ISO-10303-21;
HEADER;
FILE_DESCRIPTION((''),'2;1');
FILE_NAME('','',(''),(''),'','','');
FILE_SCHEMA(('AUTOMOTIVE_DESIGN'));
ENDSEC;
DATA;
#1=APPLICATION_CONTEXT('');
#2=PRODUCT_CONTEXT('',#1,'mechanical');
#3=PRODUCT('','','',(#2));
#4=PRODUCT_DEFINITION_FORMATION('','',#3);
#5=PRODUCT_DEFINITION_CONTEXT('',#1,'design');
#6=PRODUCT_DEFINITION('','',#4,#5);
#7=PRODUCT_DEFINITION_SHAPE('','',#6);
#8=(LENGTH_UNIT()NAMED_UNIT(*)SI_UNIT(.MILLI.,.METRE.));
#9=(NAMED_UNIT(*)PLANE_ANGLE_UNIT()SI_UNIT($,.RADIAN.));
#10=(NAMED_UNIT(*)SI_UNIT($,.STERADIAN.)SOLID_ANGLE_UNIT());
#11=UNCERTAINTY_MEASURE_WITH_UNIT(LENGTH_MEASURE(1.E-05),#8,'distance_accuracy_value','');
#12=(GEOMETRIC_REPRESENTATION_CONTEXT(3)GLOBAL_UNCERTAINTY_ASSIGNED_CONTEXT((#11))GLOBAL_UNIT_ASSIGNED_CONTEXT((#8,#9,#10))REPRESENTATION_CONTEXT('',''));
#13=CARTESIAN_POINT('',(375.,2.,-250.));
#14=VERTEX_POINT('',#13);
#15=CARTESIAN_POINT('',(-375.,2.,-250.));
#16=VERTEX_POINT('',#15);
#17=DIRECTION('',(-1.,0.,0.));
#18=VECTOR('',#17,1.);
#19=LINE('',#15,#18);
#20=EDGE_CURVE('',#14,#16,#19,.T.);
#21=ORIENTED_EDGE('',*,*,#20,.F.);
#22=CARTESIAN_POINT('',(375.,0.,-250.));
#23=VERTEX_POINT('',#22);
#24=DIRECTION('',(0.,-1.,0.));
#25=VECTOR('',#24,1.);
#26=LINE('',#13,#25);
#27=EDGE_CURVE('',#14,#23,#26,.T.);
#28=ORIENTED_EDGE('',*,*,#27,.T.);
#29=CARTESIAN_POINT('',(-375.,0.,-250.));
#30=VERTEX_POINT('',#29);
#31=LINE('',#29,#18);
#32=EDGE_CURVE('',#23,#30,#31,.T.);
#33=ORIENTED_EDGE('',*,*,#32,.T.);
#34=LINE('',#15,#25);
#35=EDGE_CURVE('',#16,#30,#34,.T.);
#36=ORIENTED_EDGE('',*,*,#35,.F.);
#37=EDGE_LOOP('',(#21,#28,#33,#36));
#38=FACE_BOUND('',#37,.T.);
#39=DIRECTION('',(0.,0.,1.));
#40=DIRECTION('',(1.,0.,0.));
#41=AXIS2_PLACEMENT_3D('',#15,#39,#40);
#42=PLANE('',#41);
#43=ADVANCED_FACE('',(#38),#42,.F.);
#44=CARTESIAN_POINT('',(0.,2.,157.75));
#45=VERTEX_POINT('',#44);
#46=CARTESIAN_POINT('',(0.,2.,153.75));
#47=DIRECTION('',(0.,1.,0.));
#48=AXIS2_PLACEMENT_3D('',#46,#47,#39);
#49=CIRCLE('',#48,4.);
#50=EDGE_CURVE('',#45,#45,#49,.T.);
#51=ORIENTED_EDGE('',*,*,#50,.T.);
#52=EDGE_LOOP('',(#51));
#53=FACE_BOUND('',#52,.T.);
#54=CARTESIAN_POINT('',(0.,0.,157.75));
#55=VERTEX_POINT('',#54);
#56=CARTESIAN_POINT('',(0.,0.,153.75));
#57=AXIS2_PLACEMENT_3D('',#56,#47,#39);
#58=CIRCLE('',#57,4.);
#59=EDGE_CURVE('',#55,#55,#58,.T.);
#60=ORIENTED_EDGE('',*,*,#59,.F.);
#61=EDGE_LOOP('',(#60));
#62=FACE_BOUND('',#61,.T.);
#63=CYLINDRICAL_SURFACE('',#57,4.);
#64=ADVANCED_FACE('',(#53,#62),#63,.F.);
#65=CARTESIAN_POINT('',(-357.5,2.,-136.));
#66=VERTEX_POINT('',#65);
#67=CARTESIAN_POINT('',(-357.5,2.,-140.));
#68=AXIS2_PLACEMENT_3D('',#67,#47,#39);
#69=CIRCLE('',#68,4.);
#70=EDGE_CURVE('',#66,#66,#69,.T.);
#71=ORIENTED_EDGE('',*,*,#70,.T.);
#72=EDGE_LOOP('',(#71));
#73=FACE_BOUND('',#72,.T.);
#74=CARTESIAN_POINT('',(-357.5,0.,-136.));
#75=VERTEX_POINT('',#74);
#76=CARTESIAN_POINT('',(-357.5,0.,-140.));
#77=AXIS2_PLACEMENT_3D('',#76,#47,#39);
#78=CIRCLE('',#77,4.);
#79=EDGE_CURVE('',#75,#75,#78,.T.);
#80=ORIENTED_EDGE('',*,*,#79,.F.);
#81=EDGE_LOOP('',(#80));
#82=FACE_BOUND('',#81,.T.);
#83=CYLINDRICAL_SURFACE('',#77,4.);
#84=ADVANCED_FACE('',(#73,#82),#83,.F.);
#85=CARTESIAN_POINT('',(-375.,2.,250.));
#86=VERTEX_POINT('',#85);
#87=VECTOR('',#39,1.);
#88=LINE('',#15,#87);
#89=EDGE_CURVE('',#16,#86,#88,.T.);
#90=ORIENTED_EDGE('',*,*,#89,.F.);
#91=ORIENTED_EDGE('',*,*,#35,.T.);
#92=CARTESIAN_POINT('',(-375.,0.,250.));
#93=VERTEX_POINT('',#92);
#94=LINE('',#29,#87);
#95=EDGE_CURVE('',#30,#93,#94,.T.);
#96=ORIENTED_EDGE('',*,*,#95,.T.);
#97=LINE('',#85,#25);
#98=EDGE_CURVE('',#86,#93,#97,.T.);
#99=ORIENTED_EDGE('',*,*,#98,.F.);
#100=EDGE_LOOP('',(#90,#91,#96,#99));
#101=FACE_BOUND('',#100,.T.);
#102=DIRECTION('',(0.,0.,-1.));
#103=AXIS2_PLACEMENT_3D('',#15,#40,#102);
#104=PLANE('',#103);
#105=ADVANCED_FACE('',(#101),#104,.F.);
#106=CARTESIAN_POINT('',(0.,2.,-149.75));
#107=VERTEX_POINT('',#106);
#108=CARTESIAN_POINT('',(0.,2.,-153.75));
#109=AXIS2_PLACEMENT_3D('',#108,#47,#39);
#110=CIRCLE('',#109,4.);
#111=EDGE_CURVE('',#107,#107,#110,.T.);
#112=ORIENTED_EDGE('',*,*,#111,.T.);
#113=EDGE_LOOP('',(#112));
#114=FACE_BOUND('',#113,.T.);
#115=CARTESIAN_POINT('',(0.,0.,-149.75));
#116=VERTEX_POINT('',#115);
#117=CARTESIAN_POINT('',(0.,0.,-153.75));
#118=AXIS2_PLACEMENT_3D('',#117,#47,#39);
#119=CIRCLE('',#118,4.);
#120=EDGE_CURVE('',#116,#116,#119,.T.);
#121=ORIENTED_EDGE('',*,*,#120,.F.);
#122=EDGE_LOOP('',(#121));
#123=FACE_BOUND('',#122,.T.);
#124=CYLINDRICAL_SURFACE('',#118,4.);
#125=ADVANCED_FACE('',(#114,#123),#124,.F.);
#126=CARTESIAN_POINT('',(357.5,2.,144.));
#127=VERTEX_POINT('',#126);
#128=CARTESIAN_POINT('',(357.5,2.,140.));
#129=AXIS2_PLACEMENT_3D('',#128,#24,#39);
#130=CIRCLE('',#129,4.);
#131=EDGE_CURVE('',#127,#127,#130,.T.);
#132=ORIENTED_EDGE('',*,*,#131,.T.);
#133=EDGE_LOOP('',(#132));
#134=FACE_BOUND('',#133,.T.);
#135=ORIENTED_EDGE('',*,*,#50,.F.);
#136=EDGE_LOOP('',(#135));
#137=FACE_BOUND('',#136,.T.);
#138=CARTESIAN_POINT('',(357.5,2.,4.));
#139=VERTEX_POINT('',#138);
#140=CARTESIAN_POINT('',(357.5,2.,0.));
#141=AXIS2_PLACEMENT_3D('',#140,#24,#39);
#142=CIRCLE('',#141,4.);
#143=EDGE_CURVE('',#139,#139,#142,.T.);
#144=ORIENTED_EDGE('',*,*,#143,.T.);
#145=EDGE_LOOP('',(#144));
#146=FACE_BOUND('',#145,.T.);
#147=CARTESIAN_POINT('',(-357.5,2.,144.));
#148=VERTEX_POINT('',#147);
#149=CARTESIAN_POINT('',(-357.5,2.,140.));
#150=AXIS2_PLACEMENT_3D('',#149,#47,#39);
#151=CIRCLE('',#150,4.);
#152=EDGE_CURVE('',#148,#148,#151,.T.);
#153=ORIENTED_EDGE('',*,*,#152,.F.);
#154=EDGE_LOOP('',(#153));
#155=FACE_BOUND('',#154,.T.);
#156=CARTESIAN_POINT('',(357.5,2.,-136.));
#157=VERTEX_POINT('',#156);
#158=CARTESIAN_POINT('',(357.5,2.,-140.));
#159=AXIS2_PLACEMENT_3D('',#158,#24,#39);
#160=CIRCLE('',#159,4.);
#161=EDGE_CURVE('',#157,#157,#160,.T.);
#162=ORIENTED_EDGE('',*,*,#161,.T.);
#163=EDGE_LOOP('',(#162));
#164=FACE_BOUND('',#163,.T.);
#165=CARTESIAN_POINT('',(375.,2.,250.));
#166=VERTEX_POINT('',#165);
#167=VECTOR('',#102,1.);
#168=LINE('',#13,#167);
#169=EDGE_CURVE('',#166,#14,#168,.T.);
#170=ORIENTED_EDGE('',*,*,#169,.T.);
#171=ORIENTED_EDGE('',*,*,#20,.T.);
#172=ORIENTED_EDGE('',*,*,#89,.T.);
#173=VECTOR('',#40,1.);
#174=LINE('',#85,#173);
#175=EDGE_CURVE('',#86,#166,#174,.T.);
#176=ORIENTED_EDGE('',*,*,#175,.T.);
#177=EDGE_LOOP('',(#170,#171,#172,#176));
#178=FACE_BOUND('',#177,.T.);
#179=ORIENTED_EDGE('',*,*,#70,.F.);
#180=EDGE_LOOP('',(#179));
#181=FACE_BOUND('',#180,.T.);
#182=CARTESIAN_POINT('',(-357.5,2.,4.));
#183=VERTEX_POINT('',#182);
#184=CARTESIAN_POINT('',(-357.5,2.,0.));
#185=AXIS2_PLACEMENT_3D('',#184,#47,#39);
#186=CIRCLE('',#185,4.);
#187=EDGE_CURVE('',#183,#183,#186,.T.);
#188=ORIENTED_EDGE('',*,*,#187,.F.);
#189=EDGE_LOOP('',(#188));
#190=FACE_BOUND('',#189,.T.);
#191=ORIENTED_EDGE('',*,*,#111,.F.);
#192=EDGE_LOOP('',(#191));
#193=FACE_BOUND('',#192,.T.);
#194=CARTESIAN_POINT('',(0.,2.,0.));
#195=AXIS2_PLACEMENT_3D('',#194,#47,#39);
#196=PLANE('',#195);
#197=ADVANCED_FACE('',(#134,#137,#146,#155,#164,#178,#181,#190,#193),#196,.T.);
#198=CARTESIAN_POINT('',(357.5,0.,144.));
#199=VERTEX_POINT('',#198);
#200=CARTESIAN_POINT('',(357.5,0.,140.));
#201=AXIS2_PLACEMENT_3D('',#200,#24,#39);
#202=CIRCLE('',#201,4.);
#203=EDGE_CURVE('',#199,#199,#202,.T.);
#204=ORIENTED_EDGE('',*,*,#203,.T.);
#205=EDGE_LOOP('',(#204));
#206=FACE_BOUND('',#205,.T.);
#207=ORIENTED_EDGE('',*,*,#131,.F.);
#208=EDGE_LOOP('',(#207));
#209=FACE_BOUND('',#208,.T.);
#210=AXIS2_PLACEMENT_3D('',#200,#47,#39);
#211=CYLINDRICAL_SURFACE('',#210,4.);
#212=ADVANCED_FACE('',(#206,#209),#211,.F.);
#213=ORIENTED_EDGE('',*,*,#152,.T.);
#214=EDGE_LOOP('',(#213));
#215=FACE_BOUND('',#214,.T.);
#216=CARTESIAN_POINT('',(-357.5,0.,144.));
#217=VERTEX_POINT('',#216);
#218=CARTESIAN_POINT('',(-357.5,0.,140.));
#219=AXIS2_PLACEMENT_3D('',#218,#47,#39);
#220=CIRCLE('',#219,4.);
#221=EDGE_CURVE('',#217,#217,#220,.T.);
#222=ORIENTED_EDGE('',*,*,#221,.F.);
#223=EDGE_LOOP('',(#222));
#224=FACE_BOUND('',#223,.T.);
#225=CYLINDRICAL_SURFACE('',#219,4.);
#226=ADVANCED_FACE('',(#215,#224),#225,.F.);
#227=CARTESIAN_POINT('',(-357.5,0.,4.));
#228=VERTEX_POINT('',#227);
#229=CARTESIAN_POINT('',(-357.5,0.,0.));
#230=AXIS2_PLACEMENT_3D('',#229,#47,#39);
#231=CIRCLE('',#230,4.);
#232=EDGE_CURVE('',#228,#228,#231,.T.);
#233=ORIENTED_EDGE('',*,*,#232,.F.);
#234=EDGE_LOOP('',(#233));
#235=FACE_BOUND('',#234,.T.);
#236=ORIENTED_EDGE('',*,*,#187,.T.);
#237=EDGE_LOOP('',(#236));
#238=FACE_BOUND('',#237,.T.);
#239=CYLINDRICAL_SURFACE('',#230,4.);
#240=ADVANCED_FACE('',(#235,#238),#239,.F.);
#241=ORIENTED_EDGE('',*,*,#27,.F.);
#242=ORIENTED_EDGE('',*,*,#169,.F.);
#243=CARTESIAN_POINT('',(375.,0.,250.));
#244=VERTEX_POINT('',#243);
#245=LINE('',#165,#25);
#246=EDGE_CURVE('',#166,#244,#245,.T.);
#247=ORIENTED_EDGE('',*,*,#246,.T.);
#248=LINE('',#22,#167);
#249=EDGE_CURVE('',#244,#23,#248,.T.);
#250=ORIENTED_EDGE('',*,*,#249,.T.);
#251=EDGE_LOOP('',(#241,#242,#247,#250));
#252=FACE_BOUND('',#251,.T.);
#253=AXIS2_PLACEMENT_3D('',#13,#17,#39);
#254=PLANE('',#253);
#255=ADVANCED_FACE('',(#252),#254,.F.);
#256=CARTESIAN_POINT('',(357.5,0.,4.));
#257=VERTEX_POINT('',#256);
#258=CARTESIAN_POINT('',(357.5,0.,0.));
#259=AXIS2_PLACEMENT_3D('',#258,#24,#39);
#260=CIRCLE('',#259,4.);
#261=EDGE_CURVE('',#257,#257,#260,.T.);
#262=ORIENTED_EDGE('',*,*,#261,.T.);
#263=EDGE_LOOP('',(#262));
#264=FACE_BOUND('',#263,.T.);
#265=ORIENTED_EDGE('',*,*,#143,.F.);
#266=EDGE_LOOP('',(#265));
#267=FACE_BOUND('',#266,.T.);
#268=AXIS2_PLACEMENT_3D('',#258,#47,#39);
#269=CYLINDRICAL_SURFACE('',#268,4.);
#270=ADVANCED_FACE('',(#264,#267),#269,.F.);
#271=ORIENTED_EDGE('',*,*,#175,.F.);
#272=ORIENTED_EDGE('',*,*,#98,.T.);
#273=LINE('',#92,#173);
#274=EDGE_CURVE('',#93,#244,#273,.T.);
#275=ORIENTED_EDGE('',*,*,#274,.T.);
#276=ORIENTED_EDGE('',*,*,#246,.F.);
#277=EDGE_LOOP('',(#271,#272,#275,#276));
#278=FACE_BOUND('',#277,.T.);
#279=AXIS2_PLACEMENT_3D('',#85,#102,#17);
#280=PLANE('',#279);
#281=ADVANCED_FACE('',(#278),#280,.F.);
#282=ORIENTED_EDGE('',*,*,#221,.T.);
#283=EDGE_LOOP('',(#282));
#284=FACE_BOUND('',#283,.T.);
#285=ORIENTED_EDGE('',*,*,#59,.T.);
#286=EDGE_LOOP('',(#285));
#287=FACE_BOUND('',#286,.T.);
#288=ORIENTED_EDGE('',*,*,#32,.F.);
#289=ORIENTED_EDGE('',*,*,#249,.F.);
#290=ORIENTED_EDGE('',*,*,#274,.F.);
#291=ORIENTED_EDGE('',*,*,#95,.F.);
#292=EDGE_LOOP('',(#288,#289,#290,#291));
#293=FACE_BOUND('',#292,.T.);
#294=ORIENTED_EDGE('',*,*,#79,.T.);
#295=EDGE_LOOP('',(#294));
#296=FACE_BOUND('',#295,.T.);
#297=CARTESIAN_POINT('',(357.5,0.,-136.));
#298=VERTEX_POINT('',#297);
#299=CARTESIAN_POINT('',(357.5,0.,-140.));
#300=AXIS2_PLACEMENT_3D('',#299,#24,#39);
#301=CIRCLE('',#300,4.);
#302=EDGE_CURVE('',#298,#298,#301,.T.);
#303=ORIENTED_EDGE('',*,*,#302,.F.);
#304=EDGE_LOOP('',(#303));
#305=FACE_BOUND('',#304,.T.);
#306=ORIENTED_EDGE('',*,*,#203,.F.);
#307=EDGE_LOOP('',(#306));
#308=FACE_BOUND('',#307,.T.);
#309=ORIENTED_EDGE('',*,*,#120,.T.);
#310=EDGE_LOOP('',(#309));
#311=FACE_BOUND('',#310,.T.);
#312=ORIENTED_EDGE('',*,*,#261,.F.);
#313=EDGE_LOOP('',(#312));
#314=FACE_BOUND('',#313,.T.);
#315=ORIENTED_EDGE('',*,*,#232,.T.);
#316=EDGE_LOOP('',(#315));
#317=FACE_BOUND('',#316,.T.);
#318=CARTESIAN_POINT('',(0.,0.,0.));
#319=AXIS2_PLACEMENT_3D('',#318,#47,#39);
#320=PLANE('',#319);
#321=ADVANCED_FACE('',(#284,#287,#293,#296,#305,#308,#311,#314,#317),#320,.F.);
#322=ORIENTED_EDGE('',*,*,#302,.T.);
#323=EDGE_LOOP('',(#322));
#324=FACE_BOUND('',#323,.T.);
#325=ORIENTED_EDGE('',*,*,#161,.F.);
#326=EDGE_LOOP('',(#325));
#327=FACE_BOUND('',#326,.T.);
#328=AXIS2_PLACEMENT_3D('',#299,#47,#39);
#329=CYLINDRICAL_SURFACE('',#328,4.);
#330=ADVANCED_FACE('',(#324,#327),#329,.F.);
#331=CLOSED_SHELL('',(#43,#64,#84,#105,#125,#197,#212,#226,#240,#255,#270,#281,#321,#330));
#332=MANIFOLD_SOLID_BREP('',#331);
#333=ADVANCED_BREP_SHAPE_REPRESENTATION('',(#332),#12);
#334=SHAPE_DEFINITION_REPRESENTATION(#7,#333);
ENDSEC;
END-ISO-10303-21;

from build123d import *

# Parameters (mm, degrees)
SKETCH1_W           = 750
SKETCH1_H           = 500
BOSS_EXTRUDE1_DEPTH = 2
SKETCH2_R           = 4
CUT_EXTRUDE1_DEPTH  = 2
SKETCH3_R           = 4
CUT_EXTRUDE2_DEPTH  = 2


with BuildPart() as part:
    # Sketch1 → Boss-Extrude1 (new body)
    with BuildSketch(Plane(origin=(0, 0, 0), x_dir=(1, 0, 0), z_dir=(0, 1, 0))):
        Rectangle(SKETCH1_W, SKETCH1_H)
    extrude(amount=BOSS_EXTRUDE1_DEPTH)

    # Sketch2 → Cut-Extrude1 (cut)
    with BuildSketch(Plane(origin=(0, 2, 0), x_dir=(1, 0, 0), z_dir=(0, 1, 0))):
        with Locations((-357.5, 0)):
            Circle(SKETCH2_R)
        with Locations((-357.5, 140)):
            Circle(SKETCH2_R)
        with Locations((-357.5, -140)):
            Circle(SKETCH2_R)
    cut_extrude1 = extrude(amount=-CUT_EXTRUDE1_DEPTH, mode=Mode.SUBTRACT)

    # Mirror1: Cut-Extrude1 across plane
    add(cut_extrude1.mirror(Plane(origin=(0, 0, 0), x_dir=(0, 0, 1), z_dir=(1, 0, 0))), mode=Mode.SUBTRACT)

    # Sketch3 → Cut-Extrude2 (cut)
    with BuildSketch(Plane(origin=(0, 2, 0), x_dir=(1, 0, 0), z_dir=(0, 1, 0))):
        with Locations((0, 153.75)):
            Circle(SKETCH3_R)
        with Locations((0, -153.75)):
            Circle(SKETCH3_R)
    extrude(amount=-CUT_EXTRUDE2_DEPTH, mode=Mode.SUBTRACT)


solid = part.part
